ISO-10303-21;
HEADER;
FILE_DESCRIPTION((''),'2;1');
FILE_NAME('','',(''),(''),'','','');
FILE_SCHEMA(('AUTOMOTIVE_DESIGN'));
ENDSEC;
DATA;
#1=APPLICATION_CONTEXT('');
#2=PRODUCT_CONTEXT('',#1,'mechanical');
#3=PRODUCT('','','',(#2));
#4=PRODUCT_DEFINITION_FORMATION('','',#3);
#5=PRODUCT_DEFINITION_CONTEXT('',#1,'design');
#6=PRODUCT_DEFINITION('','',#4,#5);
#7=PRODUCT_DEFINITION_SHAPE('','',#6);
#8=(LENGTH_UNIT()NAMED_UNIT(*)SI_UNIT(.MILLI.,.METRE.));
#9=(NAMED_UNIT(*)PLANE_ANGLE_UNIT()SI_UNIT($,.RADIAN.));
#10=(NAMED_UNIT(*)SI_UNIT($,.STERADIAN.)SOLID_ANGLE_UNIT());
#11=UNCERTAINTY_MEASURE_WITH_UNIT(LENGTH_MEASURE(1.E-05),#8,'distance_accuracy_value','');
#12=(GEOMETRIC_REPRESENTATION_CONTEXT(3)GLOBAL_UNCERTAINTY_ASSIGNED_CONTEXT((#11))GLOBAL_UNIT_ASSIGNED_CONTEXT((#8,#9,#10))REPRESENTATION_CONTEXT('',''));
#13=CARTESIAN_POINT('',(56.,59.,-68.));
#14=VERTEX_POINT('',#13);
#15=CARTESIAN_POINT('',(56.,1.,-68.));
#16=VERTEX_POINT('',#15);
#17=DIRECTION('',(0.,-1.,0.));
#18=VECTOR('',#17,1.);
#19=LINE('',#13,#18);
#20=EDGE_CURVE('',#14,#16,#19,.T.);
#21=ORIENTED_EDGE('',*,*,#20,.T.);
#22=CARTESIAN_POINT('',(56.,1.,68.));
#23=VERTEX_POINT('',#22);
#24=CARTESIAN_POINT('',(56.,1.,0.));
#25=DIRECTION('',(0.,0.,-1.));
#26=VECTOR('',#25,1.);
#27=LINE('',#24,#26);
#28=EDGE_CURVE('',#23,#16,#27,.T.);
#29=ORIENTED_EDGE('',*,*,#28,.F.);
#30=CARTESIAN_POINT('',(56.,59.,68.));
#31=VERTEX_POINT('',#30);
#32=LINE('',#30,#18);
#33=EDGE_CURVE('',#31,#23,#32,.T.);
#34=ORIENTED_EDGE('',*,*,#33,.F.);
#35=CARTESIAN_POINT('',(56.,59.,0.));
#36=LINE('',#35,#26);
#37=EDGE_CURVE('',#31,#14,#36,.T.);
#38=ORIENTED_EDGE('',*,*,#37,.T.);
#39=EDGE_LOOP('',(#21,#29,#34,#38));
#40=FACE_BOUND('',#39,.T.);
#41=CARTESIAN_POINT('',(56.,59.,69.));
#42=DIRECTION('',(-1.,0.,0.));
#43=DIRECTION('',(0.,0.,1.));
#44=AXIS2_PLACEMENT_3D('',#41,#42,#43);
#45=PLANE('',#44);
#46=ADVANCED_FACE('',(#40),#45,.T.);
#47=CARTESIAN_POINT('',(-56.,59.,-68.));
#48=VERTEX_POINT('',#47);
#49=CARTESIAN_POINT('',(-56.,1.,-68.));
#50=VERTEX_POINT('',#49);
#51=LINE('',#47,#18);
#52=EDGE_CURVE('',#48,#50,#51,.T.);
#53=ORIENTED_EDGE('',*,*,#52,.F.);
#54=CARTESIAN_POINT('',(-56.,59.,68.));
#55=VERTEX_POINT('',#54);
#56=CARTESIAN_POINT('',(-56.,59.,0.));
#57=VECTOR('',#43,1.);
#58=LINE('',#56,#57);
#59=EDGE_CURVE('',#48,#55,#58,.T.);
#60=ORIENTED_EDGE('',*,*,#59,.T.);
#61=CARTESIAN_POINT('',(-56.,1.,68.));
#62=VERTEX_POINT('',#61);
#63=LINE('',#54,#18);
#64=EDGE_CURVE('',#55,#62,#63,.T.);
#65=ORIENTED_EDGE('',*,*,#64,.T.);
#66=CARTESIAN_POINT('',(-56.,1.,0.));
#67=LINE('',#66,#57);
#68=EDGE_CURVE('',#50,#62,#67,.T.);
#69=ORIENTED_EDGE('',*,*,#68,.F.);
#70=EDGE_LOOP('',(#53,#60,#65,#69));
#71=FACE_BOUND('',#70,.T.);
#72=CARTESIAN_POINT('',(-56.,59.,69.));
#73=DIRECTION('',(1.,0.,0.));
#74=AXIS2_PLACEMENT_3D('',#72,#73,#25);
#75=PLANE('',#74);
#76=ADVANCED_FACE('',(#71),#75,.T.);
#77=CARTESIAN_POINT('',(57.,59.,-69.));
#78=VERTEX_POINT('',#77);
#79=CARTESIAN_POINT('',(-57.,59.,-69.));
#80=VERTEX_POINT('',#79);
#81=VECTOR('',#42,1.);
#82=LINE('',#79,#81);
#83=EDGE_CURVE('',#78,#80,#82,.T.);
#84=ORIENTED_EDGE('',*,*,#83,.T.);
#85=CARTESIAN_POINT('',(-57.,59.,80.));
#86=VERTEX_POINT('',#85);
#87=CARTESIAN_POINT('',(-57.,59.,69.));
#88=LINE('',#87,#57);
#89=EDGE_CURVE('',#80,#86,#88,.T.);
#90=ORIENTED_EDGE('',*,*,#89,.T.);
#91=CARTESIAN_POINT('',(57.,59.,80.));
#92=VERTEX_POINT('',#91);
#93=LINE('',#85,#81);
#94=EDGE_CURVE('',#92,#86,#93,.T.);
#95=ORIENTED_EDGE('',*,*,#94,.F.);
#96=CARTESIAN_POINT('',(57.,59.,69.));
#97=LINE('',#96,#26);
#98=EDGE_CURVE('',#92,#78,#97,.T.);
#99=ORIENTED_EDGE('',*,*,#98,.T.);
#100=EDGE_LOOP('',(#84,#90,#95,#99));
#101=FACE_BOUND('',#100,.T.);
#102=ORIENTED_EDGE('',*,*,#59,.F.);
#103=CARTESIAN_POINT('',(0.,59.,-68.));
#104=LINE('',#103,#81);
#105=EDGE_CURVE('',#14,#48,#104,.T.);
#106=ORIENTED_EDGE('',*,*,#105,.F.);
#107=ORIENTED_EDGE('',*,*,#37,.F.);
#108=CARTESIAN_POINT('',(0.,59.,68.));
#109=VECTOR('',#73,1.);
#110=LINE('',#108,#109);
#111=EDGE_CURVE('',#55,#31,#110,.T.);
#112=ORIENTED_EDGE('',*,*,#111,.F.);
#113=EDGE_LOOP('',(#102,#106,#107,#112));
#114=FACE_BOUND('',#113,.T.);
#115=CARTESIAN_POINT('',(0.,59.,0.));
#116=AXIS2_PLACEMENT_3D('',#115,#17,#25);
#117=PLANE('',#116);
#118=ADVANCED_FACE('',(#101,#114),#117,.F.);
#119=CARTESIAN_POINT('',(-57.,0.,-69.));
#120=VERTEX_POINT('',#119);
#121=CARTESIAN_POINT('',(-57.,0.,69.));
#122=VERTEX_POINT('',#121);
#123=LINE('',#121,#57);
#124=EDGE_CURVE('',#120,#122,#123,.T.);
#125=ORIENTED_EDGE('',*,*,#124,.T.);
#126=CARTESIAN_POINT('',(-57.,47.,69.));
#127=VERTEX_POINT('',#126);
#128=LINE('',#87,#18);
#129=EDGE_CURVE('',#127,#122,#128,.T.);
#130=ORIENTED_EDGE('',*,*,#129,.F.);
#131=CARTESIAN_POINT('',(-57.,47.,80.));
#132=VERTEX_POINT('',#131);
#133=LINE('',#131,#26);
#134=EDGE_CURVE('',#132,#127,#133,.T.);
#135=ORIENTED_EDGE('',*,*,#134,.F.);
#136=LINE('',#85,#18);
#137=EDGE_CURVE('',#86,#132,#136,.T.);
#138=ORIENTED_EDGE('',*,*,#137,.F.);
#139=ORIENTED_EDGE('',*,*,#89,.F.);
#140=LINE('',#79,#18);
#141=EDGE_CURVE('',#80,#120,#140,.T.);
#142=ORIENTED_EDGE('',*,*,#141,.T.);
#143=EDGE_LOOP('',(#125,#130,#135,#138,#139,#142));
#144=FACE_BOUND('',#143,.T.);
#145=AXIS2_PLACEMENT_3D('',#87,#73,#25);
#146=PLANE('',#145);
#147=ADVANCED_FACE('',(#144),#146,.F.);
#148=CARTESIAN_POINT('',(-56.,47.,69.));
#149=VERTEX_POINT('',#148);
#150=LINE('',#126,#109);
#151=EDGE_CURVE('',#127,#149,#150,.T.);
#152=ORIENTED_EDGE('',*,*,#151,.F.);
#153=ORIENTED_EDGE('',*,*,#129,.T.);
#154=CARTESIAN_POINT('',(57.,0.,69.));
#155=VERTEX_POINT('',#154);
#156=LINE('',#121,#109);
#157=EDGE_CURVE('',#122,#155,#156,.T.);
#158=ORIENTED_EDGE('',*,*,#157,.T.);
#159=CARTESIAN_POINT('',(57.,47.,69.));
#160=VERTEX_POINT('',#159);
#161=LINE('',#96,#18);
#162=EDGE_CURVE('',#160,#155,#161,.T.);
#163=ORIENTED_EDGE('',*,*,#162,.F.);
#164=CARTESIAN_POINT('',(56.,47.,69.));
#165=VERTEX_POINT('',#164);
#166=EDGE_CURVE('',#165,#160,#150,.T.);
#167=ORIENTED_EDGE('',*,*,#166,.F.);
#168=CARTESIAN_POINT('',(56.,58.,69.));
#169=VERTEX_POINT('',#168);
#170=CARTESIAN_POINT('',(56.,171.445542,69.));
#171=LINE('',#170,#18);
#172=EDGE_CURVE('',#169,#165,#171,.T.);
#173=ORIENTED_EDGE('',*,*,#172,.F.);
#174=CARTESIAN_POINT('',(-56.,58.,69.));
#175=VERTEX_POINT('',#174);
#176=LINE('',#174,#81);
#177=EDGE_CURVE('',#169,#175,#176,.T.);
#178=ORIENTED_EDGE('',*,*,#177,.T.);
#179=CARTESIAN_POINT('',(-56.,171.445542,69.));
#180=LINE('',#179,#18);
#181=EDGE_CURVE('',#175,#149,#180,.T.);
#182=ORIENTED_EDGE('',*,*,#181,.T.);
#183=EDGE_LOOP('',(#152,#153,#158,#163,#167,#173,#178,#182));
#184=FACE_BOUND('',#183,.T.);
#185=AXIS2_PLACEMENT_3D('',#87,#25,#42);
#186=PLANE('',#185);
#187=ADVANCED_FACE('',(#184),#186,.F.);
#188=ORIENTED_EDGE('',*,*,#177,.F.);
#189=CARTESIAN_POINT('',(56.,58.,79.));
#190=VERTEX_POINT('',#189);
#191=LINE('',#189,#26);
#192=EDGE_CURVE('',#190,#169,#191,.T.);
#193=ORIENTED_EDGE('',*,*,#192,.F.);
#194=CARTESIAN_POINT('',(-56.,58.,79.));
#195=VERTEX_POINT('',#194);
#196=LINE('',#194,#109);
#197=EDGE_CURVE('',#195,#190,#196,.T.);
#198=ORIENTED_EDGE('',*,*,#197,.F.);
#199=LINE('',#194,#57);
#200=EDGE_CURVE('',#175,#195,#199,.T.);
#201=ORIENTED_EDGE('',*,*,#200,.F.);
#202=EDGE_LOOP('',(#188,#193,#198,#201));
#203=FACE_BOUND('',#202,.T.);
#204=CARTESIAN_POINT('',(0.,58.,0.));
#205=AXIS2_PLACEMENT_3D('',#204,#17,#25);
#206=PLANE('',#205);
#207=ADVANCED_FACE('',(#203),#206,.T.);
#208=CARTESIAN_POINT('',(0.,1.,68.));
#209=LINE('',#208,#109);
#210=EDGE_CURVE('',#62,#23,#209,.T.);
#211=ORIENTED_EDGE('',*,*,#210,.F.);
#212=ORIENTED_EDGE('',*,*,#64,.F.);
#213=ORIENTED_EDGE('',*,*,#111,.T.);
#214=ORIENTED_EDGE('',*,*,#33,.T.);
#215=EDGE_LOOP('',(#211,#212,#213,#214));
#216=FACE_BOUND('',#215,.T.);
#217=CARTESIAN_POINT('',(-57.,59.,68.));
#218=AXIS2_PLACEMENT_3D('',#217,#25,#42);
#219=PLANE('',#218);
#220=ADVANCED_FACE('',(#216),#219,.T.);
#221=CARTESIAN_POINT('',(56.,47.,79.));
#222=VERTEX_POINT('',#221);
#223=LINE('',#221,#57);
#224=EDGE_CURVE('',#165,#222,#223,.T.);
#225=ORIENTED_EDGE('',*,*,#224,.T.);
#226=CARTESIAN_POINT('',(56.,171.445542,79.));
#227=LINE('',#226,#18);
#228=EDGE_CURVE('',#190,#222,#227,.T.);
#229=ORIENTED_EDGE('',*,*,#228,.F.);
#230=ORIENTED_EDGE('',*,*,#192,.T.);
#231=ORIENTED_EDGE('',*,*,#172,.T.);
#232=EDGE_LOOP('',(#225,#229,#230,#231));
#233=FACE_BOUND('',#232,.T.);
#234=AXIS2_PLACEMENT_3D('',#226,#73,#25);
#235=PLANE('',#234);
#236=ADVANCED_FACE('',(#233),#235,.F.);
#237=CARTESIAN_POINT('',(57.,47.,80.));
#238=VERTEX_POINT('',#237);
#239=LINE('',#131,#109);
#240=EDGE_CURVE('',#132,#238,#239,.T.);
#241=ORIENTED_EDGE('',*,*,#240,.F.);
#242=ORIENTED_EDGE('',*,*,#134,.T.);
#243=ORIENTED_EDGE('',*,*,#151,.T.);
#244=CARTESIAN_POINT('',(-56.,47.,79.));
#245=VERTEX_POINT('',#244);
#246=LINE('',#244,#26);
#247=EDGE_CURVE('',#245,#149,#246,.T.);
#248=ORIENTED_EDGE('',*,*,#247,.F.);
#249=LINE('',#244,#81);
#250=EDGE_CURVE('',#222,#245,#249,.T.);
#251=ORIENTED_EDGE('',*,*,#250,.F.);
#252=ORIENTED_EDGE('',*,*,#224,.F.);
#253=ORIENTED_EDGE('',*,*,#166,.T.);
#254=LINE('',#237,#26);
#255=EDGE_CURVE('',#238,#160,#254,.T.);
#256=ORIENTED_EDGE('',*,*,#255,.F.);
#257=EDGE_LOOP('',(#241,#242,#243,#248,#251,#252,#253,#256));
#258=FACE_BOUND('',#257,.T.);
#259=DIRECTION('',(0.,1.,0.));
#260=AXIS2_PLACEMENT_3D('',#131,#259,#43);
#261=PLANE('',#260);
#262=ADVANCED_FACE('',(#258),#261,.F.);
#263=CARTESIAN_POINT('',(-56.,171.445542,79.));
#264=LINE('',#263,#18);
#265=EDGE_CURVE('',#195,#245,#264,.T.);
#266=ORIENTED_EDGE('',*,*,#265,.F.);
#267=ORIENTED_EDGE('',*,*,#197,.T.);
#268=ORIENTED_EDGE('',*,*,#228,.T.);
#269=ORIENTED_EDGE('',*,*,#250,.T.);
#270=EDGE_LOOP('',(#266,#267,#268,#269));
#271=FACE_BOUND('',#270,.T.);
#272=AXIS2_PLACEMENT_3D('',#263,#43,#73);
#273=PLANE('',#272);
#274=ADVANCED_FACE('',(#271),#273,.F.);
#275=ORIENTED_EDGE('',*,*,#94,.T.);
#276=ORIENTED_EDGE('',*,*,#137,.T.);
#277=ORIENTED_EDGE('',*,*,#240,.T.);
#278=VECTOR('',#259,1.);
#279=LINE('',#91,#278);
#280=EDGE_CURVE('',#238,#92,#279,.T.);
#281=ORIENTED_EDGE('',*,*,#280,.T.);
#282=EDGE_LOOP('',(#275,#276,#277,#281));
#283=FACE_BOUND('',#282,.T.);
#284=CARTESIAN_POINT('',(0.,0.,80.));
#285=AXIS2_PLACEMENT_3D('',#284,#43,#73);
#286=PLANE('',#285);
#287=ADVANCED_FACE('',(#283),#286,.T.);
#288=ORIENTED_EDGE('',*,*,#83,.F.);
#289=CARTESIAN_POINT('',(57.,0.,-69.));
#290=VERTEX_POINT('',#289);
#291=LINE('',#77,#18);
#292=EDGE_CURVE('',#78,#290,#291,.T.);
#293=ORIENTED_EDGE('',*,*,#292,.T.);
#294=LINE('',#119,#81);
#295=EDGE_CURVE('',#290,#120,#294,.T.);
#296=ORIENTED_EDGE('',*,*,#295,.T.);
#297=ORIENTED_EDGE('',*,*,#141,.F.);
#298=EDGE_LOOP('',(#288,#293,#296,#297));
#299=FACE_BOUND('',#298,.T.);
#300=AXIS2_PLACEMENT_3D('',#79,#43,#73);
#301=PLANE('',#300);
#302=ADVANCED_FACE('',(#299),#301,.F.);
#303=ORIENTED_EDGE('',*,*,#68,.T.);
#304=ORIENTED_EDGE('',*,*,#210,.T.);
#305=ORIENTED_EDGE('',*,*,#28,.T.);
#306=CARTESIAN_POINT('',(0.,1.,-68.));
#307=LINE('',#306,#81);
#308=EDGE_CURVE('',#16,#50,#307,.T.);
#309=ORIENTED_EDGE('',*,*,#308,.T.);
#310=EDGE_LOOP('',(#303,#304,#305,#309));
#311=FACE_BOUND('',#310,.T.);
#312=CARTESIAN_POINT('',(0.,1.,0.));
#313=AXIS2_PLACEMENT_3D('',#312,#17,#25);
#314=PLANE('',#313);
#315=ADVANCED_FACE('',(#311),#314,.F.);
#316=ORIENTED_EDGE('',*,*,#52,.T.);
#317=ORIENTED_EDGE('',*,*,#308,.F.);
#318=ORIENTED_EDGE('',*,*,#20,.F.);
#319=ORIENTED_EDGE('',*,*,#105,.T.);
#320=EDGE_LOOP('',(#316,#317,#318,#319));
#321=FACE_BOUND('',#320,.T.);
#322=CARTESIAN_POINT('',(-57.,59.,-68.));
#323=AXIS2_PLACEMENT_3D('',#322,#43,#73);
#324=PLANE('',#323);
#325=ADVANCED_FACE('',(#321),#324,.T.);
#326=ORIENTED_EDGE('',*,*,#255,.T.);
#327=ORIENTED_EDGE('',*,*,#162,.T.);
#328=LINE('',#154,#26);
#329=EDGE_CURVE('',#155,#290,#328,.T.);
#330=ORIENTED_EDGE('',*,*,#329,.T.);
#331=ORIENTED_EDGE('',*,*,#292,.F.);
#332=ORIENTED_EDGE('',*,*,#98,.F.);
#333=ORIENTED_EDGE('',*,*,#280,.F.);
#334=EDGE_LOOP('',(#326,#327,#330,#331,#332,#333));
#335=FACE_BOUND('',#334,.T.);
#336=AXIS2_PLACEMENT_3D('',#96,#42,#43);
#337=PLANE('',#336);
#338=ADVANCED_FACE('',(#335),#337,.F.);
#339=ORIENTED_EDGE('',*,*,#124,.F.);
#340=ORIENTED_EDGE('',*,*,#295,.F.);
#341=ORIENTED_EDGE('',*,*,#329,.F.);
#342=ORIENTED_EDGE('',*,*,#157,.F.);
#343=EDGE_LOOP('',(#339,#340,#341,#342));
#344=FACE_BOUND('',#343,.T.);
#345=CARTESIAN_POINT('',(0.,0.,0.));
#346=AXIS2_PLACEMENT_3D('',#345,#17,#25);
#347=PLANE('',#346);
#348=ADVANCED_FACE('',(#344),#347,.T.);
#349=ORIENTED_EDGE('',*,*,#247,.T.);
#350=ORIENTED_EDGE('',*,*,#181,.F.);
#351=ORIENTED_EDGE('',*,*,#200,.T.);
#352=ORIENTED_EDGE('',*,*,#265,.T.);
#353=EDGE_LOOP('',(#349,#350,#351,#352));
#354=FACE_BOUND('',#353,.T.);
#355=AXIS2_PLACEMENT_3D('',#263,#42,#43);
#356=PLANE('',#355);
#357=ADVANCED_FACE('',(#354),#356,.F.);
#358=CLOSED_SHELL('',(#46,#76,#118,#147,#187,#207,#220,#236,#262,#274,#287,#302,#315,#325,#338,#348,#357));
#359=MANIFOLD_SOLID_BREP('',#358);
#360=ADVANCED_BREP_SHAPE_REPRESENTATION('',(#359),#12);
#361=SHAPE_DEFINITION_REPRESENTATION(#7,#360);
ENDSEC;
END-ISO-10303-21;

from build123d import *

# Parameters (mm, degrees)
SKETCH_4_W          = 114
SKETCH_4_H          = 138
EXTRUDE_1_DEPTH     = 59
SHELL_1_T           = -1
SKETCH_5_W          = 114
SKETCH_5_H          = 12
EXTRUDE_2_DEPTH     = 11
SKETCH_6_W          = 112
SKETCH_6_H          = 10
CUT_EXTRUDE_1_DEPTH = 11


with BuildPart() as part:
    # 草图4 → 凸台-拉伸1 (new body)
    with BuildSketch(Plane(origin=(0, 0, 0), x_dir=(1, 0, 0), z_dir=(0, 1, 0))):
        Rectangle(SKETCH_4_W, SKETCH_4_H)
    extrude(amount=EXTRUDE_1_DEPTH)

    # 抽壳1
    shell_1_openings = [part.faces().sort_by_distance(p)[0] for p in [
        (0, 59, 0),
    ]]
    offset(amount=SHELL_1_T, openings=shell_1_openings, kind=Kind.INTERSECTION)

    # 草图5 → 凸台-拉伸2 (add)
    with BuildSketch(Plane.XY.offset(69)):
        with Locations((0, 53)):
            Rectangle(SKETCH_5_W, SKETCH_5_H)
    extrude(amount=EXTRUDE_2_DEPTH)

    # 草图6 → 切除-拉伸1 (cut)
    with BuildSketch(Plane.XZ.offset(-47)):
        with Locations((0, 74)):
            Rectangle(SKETCH_6_W, SKETCH_6_H)
    extrude(amount=-CUT_EXTRUDE_1_DEPTH, mode=Mode.SUBTRACT)


solid = part.part
